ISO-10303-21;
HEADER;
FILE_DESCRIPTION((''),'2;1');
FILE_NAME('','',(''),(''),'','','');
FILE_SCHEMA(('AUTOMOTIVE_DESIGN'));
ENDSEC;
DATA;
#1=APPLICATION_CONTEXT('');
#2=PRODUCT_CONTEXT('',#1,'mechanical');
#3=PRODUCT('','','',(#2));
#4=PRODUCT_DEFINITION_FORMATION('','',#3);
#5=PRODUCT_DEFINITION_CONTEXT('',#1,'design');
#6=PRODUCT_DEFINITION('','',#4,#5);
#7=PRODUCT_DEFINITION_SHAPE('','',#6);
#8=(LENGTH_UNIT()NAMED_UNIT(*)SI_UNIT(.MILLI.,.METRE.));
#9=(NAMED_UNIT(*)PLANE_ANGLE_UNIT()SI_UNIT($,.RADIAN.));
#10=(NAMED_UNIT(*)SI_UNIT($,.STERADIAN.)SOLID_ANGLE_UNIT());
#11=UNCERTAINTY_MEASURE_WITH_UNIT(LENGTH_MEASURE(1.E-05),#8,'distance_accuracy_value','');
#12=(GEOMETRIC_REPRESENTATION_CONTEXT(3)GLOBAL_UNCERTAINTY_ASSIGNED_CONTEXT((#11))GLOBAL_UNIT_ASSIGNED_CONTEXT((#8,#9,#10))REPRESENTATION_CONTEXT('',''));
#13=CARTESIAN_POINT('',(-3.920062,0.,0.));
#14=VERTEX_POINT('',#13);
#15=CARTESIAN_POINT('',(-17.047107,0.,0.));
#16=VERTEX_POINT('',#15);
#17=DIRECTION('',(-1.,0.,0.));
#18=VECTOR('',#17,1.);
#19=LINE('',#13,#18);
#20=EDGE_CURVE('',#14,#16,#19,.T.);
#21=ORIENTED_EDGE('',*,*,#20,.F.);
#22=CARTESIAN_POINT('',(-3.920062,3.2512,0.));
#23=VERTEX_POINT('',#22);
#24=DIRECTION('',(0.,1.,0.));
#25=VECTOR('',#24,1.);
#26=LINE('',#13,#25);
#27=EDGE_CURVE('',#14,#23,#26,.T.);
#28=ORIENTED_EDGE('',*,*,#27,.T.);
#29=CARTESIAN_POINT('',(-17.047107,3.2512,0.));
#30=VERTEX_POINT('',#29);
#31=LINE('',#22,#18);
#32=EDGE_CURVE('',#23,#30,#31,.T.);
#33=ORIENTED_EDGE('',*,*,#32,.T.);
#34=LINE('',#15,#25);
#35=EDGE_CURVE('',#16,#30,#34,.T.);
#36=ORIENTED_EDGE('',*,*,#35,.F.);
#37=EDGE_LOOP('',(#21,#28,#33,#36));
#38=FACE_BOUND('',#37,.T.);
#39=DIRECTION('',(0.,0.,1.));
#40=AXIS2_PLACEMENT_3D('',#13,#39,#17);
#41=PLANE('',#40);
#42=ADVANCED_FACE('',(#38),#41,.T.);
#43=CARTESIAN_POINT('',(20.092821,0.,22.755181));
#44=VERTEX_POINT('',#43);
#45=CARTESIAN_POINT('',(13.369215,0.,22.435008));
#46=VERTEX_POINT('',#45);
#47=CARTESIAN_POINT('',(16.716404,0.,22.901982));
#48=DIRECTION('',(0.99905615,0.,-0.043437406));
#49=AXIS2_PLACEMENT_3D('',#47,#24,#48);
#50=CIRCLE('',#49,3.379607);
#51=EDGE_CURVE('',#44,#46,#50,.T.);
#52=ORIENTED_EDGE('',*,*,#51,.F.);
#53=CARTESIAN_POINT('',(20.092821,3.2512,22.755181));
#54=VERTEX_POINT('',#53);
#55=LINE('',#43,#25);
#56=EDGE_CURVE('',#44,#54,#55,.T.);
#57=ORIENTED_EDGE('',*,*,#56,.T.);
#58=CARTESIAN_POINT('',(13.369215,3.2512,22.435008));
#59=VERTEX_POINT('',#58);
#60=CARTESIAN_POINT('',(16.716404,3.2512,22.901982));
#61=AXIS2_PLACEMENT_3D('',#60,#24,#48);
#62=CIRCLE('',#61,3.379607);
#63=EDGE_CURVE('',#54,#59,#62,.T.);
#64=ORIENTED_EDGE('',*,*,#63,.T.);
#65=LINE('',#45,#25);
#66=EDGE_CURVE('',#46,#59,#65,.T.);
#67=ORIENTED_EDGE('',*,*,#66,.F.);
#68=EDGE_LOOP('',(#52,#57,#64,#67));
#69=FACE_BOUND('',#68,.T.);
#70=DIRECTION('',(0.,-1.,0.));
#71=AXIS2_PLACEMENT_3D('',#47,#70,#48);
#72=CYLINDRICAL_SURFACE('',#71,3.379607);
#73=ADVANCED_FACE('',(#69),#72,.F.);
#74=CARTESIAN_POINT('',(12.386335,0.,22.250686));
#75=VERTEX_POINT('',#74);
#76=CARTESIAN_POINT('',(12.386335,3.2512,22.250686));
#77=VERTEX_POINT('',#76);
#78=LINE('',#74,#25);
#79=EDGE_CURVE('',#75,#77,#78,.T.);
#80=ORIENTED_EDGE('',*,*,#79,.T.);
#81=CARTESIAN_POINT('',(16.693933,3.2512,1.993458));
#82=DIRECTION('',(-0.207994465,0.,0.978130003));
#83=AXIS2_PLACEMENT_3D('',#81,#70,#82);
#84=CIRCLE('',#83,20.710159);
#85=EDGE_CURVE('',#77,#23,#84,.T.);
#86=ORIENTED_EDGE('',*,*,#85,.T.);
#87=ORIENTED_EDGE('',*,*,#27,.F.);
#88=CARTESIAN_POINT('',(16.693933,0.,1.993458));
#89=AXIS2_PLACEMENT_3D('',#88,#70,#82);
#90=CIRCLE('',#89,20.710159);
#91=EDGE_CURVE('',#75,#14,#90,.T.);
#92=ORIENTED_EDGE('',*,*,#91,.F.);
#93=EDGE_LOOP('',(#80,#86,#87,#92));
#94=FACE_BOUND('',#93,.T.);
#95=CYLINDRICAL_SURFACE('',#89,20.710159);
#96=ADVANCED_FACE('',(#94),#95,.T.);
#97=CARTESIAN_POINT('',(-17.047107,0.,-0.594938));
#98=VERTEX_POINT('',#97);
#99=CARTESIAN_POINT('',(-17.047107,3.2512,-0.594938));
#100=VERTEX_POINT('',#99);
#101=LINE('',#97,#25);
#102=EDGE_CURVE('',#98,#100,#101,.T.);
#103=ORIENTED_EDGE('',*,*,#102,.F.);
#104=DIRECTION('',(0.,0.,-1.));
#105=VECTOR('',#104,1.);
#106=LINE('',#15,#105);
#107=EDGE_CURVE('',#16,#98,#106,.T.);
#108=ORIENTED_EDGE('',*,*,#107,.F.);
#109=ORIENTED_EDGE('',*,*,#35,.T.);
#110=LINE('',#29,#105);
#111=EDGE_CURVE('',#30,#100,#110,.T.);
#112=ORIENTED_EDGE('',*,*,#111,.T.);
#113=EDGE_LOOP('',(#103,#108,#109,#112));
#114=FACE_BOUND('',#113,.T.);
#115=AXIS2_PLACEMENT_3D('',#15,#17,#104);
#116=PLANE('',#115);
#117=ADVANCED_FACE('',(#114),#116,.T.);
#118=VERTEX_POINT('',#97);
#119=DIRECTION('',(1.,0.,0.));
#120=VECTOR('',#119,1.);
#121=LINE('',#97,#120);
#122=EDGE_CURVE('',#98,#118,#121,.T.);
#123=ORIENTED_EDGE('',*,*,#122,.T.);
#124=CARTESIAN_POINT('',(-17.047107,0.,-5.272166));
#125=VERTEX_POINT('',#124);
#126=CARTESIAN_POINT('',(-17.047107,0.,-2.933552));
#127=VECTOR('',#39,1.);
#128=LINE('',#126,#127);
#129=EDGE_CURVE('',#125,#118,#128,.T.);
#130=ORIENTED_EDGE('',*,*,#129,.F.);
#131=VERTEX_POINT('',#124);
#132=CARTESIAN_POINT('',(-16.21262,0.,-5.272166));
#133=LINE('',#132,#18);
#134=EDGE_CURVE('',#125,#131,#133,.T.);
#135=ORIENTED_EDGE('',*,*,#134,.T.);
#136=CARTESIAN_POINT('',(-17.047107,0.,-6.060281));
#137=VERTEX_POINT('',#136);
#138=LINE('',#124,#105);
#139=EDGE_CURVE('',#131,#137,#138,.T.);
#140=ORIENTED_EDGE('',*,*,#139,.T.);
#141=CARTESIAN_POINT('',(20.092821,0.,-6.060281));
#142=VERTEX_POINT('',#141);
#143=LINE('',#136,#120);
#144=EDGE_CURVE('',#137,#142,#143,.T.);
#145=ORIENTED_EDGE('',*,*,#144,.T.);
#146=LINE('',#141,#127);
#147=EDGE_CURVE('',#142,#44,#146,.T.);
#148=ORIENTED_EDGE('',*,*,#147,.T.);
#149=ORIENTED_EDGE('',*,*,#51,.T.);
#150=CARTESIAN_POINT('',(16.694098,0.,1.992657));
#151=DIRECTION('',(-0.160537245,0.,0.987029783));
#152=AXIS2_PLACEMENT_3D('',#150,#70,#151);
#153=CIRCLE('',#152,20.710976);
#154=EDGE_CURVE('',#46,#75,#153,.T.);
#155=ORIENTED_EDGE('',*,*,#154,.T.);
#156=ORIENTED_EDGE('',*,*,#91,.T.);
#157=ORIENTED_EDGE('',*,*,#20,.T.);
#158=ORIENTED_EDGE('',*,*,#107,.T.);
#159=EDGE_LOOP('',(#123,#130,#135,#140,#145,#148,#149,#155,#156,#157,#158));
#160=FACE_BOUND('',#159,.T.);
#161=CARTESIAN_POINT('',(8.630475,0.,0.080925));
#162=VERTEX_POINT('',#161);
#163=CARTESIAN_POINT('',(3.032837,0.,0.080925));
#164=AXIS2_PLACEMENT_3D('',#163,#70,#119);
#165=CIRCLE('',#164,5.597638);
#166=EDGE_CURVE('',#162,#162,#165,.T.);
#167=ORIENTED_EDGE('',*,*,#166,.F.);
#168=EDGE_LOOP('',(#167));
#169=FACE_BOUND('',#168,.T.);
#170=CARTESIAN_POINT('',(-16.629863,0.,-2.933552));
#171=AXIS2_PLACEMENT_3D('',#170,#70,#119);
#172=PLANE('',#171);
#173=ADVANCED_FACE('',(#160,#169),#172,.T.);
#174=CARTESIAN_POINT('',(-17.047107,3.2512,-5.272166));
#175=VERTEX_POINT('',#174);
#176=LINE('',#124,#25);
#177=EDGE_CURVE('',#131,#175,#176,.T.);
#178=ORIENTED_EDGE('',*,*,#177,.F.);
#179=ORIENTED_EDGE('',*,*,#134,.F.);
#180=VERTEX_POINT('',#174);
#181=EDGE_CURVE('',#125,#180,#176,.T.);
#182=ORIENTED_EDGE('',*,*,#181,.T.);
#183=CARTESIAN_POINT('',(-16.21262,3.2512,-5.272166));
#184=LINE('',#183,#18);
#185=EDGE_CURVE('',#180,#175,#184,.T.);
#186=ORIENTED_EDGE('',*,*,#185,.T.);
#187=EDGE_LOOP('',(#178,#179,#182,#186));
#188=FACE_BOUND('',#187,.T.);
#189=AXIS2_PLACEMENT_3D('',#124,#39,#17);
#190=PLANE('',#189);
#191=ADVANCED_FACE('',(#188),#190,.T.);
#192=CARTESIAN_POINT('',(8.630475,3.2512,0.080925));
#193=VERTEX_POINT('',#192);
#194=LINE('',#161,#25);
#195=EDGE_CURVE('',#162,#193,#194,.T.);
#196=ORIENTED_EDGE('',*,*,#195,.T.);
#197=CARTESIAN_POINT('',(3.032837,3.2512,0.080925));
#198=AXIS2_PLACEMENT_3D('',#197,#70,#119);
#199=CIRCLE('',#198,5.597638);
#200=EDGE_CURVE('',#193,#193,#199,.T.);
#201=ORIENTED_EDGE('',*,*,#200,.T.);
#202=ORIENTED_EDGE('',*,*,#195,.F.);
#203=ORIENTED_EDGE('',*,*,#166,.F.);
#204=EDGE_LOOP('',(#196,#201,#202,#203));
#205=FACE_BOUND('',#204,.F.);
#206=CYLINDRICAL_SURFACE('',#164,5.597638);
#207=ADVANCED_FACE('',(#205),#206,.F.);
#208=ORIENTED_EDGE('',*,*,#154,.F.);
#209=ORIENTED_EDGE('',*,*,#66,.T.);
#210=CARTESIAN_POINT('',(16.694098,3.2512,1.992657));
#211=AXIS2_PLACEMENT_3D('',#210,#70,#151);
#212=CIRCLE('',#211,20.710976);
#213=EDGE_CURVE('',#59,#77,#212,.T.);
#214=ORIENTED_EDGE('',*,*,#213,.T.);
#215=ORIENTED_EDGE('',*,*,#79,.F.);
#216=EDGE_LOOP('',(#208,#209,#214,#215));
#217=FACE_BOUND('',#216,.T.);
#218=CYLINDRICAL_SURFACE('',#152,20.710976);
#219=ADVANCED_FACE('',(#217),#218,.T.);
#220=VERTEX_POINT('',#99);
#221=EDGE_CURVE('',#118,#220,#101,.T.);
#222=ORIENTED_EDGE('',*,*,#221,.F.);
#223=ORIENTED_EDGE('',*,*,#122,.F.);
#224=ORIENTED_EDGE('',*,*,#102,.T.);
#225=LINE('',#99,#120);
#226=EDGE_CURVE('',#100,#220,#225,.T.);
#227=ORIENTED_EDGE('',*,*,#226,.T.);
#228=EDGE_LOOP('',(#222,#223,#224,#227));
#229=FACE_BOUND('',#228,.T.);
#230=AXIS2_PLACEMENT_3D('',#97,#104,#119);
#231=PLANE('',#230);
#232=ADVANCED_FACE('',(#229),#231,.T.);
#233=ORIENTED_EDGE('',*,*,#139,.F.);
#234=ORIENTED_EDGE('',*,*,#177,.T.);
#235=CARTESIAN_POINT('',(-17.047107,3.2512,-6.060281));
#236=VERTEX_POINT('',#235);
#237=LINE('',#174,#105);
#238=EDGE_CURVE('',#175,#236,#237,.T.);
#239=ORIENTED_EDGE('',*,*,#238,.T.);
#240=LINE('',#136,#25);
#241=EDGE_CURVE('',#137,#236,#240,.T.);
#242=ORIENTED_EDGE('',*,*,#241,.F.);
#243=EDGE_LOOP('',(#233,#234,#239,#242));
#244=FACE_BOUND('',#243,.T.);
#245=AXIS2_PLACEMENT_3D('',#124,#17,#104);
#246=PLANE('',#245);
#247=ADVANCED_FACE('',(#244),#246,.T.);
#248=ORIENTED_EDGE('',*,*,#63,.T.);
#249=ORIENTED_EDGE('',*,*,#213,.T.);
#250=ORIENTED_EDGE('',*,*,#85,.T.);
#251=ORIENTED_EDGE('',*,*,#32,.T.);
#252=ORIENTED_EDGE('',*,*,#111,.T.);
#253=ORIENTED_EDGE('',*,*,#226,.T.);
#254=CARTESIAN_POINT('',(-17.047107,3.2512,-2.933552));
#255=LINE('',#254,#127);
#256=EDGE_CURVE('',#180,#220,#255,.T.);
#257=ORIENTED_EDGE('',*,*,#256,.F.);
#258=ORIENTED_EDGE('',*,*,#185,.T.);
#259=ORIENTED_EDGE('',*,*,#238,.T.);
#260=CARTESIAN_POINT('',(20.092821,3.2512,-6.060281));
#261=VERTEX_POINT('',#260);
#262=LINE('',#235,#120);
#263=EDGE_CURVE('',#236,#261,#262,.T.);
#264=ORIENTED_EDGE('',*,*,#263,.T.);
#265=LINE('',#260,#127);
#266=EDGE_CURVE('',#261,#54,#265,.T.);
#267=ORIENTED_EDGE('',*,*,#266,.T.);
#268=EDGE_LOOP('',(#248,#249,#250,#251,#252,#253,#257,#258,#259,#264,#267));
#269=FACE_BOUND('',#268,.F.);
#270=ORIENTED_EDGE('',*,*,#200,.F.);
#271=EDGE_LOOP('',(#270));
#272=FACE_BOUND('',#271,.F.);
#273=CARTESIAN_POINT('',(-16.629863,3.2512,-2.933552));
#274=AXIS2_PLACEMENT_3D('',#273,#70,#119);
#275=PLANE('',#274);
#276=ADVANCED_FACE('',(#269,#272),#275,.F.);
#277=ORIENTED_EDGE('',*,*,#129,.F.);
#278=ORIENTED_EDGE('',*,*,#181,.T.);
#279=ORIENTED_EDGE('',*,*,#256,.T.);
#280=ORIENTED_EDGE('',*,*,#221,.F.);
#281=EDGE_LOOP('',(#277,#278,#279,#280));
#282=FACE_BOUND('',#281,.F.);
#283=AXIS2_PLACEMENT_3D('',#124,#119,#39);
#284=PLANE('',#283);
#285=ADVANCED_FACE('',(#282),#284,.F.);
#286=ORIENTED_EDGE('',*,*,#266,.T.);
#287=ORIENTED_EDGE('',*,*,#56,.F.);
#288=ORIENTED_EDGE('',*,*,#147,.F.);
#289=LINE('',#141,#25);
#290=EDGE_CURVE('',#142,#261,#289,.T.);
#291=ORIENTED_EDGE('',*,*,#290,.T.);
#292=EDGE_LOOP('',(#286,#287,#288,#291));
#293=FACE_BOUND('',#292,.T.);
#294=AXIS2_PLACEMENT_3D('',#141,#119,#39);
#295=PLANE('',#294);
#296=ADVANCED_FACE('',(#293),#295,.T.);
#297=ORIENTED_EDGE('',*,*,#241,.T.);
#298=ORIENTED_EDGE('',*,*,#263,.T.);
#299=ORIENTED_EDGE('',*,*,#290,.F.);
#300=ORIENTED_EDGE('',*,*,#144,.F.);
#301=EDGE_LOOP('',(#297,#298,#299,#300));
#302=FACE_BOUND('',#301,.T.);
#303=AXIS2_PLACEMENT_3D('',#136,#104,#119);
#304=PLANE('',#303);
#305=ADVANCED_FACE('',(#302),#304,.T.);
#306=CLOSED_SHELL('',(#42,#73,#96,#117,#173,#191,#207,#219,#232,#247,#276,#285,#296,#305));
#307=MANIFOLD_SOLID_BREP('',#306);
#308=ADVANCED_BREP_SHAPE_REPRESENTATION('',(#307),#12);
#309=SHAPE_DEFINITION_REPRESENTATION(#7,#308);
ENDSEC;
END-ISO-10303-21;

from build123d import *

# Parameters (mm, degrees)
F0_W     = 0.834487
F0_H     = 4.677228
F0_R     = 5.597638
F1_DEPTH = 3.2512


with BuildPart() as f1:
    # F0 (on Front) → F1 (new body)
    with BuildSketch(Plane.XZ):
        with Locations((-16.629863, -2.933552)):
            Rectangle(F0_W, F0_H)
        with BuildLine():
            Line((-17.047107, -5.272166), (-17.047107, -6.060281))
            Line((-17.047107, -6.060281), (20.092821, -6.060281))
            Line((20.092821, -6.060281), (20.092821, 16.750548))
            add(Edge.make_bspline(
                [(12.386335, 22.250686), (13.07097, 20.542209), (14.079554, 17.765705), (18.172912, 18.994402), (19.766842, 17.223716), (20.092821, 16.750548)],
                knots=[0, 0, 0, 0, 4.344221, 8.073844, 10.215903, 10.215903, 10.215903, 10.215903], degree=3))
            ThreePointArc((12.386335, 22.250686), (-0.010698, 14.235434), (-3.920062, 0))
            Line((-3.920062, 0), (-17.047107, 0))
            Line((-17.047107, 0), (-17.047107, -0.594938))
            Line((-17.047107, -0.594938), (-16.21262, -0.594938))
            Line((-16.21262, -0.594938), (-16.21262, -5.272166))
            Line((-16.21262, -5.272166), (-17.047107, -5.272166))
        make_face()
        with Locations((3.032837, 0.080925)):
            Circle(F0_R, mode=Mode.SUBTRACT)
        with BuildLine():
            add(Edge.make_bspline(
                [(12.386335, 22.250686), (13.07097, 20.542209), (14.079554, 17.765705), (18.172912, 18.994402), (19.766842, 17.223716), (20.092821, 16.750548)],
                knots=[0, 0, 0, 0, 4.344221, 8.073844, 10.215903, 10.215903, 10.215903, 10.215903], degree=3))
            Line((20.092821, 16.750548), (20.092821, 22.755181))
            ThreePointArc((20.092821, 22.755181), (16.877156, 19.526201), (13.369215, 22.435008))
            ThreePointArc((13.369215, 22.435008), (12.876662, 22.34878), (12.386335, 22.250686))
        make_face()
    extrude(amount=-F1_DEPTH)


solid = f1.part
